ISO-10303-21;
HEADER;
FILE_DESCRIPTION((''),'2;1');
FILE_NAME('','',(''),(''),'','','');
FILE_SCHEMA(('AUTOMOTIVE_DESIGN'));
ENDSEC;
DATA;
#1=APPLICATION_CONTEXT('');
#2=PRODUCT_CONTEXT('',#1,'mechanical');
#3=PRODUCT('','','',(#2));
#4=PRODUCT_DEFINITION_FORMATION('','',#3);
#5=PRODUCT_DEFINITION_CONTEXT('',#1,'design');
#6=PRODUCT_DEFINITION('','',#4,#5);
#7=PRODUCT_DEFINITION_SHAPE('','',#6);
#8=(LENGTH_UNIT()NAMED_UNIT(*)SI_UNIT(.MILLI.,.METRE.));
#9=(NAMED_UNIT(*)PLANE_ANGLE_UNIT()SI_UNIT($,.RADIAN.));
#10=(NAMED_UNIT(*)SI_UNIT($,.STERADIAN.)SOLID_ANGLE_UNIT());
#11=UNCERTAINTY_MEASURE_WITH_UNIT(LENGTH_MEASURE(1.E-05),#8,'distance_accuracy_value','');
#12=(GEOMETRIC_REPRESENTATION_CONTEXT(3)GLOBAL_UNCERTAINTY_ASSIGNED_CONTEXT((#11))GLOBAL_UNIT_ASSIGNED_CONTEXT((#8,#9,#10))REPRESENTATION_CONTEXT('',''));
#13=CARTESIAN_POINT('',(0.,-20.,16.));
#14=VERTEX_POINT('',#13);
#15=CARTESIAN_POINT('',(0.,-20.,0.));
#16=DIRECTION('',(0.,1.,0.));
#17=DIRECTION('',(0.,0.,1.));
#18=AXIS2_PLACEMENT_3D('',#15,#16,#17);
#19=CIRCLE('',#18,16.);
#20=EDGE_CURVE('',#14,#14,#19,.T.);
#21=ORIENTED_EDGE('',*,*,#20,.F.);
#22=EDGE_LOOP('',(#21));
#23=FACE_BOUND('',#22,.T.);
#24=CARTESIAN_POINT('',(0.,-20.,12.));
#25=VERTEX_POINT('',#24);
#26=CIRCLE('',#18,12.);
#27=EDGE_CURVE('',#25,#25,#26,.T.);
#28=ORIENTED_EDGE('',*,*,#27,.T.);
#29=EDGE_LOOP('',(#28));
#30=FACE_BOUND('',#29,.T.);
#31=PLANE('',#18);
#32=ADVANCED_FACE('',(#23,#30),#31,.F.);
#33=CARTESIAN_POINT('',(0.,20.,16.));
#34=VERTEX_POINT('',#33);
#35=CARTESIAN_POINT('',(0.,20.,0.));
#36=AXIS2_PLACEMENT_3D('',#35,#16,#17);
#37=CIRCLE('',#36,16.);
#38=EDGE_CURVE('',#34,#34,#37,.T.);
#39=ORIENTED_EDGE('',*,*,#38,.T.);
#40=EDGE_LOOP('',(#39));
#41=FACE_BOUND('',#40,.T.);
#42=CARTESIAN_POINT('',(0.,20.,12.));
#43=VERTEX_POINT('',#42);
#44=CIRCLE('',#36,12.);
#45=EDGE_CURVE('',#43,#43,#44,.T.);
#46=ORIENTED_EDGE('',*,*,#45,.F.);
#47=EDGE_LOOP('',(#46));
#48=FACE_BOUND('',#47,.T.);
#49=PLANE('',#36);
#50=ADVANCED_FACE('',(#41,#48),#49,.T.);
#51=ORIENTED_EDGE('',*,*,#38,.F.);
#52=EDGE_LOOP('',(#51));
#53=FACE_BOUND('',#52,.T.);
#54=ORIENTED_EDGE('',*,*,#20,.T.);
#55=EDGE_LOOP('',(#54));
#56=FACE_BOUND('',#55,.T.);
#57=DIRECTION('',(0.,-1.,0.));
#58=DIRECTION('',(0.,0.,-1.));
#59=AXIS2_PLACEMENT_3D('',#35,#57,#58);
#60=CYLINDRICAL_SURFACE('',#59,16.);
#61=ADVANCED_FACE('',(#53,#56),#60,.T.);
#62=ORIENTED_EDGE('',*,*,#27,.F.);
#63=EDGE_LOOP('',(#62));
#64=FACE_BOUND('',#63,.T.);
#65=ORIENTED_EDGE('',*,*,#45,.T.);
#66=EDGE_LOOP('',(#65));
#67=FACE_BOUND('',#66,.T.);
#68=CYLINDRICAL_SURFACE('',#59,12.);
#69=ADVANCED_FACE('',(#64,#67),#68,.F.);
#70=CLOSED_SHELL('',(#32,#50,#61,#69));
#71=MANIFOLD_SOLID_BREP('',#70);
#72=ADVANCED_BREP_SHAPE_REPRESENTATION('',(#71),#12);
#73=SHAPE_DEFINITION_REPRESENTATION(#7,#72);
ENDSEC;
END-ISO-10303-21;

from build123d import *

# Parameters (mm, degrees)
SKETCH1_R           = 16
SKETCH1_R_2         = 12
BOSS_EXTRUDE1_DEPTH = 20


with BuildPart() as part:
    # Sketch1 → Boss-Extrude1 (new, symmetric)
    with BuildSketch(Plane(origin=(0, 0, 0), x_dir=(1, 0, 0), z_dir=(0, 1, 0))):
        with Locations(Location((0, 0, 0), (0, 0, 270))):
            Circle(SKETCH1_R)
        with Locations(Location((0, 0, 0), (0, 0, 270))):
            Circle(SKETCH1_R_2, mode=Mode.SUBTRACT)
    extrude(amount=BOSS_EXTRUDE1_DEPTH, both=True)


solid = part.part
